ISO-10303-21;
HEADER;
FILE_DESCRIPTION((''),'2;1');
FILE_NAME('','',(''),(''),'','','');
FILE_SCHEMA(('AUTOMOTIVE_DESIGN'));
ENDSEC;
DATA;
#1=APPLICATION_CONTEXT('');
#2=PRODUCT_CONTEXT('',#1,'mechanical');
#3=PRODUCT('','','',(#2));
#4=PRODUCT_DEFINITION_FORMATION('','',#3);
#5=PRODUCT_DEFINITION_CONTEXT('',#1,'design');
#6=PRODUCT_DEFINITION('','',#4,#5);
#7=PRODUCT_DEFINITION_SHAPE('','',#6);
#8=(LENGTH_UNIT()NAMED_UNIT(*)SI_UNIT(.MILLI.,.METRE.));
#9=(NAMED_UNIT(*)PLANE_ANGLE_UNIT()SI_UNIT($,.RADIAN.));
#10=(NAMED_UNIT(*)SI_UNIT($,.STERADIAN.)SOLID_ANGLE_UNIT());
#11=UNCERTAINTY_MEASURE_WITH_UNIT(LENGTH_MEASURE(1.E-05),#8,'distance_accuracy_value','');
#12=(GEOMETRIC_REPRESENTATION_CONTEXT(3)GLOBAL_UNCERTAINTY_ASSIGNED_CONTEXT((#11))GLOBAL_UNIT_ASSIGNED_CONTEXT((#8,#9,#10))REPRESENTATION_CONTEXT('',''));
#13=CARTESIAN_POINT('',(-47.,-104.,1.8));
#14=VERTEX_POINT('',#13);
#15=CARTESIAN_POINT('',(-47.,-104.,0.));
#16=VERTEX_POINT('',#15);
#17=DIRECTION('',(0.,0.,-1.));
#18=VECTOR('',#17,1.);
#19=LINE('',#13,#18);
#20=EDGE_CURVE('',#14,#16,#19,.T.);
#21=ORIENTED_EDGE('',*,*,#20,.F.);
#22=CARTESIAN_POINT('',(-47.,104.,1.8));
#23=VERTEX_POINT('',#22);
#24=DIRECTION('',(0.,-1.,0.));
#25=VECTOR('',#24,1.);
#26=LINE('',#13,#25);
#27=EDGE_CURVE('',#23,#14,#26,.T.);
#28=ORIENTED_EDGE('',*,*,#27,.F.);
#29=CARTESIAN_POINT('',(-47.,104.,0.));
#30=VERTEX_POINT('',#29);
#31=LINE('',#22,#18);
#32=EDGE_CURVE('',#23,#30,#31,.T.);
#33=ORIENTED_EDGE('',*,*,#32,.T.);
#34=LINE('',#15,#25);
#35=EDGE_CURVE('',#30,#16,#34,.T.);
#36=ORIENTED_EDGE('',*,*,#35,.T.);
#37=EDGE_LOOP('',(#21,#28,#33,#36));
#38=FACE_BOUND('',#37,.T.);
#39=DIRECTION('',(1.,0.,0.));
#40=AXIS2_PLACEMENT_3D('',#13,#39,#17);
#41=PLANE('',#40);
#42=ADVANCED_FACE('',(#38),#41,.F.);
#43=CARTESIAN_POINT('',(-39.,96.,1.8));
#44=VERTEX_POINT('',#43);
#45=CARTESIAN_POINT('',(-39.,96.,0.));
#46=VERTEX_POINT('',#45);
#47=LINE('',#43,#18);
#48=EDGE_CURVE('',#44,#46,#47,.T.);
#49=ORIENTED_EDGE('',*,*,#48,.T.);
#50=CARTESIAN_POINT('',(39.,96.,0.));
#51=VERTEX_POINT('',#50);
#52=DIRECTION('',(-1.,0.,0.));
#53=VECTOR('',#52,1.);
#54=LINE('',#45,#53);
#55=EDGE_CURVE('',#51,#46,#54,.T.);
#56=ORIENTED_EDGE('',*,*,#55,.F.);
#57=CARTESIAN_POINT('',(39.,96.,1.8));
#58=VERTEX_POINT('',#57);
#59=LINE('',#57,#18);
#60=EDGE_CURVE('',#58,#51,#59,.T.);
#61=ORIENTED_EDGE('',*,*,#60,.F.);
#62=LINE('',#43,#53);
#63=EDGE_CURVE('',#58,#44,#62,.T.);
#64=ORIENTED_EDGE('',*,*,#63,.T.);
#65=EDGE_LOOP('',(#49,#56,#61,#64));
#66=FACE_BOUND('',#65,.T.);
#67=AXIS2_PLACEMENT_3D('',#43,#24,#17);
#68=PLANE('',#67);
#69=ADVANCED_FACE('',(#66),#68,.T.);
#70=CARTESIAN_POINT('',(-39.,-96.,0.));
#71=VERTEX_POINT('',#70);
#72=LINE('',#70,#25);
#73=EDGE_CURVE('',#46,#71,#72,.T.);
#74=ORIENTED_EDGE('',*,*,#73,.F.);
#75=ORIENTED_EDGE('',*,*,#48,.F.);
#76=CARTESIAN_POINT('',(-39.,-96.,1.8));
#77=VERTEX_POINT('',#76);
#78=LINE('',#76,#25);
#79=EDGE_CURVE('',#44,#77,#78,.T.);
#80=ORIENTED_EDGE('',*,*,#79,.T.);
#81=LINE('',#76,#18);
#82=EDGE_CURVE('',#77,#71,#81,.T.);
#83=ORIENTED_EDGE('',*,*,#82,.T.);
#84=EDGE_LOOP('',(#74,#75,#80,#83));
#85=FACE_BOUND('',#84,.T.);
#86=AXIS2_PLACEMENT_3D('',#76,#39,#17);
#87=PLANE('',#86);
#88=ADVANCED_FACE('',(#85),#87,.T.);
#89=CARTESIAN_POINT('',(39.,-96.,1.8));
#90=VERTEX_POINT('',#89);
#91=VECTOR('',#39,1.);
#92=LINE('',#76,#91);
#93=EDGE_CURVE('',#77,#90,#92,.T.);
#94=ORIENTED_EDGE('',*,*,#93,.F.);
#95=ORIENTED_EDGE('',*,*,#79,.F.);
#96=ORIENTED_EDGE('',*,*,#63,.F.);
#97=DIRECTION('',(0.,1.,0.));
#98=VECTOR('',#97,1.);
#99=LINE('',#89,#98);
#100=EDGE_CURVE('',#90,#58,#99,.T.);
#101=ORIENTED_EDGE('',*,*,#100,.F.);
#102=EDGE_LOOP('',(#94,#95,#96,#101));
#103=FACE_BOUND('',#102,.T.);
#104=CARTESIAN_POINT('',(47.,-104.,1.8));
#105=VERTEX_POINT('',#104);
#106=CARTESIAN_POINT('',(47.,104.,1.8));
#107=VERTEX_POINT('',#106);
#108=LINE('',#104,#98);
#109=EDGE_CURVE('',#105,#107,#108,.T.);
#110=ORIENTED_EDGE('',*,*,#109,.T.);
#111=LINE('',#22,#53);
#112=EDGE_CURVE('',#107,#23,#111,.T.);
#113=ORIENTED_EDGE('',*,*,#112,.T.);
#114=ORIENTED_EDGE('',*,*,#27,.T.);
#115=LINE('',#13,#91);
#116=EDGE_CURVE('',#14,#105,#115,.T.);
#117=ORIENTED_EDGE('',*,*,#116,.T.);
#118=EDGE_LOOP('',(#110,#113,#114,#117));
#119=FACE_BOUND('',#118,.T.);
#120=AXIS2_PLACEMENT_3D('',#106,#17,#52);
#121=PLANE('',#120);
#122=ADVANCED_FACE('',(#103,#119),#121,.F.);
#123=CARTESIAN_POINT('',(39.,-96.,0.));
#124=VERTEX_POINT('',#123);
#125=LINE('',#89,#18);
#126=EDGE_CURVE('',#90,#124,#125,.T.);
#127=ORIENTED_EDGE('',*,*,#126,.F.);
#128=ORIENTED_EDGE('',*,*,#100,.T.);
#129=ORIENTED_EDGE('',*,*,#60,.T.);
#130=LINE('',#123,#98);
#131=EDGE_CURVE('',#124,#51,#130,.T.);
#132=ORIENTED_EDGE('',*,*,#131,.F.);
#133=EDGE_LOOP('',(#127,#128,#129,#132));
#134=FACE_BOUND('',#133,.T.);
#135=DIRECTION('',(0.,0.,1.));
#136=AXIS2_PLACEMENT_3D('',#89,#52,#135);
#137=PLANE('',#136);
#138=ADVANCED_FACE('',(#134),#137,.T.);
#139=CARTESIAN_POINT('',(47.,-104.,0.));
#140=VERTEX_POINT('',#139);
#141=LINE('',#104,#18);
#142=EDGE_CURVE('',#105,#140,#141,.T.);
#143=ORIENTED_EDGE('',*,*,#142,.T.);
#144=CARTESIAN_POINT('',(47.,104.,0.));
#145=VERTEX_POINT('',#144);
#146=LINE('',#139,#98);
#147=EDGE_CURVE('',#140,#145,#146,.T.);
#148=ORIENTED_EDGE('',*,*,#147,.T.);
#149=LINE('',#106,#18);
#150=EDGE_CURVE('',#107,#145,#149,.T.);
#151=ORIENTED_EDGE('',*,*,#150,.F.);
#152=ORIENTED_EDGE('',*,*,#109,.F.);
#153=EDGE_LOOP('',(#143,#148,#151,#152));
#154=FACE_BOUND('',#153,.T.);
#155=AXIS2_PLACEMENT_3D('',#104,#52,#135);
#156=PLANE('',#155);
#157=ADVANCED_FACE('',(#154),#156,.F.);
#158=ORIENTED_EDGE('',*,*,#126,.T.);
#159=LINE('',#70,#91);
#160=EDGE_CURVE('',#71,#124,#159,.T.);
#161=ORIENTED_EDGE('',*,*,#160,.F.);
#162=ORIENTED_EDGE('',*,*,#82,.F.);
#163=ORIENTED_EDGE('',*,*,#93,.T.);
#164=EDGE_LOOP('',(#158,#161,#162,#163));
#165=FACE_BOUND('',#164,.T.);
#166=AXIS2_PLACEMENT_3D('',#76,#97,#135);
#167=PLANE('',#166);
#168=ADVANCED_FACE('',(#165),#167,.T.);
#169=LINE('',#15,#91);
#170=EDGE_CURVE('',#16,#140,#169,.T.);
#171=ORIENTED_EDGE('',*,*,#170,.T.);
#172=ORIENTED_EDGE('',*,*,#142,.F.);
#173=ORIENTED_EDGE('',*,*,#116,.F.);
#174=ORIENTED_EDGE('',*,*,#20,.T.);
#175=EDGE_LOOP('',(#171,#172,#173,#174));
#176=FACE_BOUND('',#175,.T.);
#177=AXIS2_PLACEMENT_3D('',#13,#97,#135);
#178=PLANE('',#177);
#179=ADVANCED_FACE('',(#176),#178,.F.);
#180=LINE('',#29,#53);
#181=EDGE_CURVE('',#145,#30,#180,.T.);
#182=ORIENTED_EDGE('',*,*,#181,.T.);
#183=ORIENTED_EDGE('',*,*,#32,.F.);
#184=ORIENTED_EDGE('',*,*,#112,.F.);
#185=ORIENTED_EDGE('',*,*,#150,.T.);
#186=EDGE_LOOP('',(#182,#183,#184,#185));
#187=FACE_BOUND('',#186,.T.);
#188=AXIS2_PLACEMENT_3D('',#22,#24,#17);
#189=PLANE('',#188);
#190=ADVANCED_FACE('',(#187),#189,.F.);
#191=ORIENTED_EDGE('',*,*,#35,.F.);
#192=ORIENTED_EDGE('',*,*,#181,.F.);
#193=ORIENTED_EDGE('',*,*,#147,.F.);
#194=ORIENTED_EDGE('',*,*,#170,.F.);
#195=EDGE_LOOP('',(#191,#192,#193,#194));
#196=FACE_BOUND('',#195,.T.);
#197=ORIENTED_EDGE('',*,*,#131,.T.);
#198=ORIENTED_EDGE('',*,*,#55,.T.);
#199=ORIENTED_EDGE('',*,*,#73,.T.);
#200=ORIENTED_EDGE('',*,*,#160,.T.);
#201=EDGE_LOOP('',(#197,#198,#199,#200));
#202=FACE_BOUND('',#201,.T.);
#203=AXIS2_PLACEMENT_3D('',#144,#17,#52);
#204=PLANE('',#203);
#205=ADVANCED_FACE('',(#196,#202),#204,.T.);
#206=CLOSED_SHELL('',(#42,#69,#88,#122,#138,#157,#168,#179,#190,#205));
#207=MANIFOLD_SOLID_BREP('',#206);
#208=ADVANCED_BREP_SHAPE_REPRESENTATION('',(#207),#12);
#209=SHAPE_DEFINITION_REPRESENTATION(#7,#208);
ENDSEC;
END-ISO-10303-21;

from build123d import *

# Parameters (mm, degrees)
ESBO_O1_W                = 94
ESBO_O1_H                = 208
ESBO_O1_W_2              = 78
ESBO_O1_H_2              = 192
RESSALTO_EXTRUS_O1_DEPTH = 1.8


with BuildPart() as part:
    # Esboço1 → Ressalto-extrusão1 (new body)
    with BuildSketch(Plane.XY):
        Rectangle(ESBO_O1_W, ESBO_O1_H)
        Rectangle(ESBO_O1_W_2, ESBO_O1_H_2, mode=Mode.SUBTRACT)
    extrude(amount=RESSALTO_EXTRUS_O1_DEPTH)


solid = part.part
